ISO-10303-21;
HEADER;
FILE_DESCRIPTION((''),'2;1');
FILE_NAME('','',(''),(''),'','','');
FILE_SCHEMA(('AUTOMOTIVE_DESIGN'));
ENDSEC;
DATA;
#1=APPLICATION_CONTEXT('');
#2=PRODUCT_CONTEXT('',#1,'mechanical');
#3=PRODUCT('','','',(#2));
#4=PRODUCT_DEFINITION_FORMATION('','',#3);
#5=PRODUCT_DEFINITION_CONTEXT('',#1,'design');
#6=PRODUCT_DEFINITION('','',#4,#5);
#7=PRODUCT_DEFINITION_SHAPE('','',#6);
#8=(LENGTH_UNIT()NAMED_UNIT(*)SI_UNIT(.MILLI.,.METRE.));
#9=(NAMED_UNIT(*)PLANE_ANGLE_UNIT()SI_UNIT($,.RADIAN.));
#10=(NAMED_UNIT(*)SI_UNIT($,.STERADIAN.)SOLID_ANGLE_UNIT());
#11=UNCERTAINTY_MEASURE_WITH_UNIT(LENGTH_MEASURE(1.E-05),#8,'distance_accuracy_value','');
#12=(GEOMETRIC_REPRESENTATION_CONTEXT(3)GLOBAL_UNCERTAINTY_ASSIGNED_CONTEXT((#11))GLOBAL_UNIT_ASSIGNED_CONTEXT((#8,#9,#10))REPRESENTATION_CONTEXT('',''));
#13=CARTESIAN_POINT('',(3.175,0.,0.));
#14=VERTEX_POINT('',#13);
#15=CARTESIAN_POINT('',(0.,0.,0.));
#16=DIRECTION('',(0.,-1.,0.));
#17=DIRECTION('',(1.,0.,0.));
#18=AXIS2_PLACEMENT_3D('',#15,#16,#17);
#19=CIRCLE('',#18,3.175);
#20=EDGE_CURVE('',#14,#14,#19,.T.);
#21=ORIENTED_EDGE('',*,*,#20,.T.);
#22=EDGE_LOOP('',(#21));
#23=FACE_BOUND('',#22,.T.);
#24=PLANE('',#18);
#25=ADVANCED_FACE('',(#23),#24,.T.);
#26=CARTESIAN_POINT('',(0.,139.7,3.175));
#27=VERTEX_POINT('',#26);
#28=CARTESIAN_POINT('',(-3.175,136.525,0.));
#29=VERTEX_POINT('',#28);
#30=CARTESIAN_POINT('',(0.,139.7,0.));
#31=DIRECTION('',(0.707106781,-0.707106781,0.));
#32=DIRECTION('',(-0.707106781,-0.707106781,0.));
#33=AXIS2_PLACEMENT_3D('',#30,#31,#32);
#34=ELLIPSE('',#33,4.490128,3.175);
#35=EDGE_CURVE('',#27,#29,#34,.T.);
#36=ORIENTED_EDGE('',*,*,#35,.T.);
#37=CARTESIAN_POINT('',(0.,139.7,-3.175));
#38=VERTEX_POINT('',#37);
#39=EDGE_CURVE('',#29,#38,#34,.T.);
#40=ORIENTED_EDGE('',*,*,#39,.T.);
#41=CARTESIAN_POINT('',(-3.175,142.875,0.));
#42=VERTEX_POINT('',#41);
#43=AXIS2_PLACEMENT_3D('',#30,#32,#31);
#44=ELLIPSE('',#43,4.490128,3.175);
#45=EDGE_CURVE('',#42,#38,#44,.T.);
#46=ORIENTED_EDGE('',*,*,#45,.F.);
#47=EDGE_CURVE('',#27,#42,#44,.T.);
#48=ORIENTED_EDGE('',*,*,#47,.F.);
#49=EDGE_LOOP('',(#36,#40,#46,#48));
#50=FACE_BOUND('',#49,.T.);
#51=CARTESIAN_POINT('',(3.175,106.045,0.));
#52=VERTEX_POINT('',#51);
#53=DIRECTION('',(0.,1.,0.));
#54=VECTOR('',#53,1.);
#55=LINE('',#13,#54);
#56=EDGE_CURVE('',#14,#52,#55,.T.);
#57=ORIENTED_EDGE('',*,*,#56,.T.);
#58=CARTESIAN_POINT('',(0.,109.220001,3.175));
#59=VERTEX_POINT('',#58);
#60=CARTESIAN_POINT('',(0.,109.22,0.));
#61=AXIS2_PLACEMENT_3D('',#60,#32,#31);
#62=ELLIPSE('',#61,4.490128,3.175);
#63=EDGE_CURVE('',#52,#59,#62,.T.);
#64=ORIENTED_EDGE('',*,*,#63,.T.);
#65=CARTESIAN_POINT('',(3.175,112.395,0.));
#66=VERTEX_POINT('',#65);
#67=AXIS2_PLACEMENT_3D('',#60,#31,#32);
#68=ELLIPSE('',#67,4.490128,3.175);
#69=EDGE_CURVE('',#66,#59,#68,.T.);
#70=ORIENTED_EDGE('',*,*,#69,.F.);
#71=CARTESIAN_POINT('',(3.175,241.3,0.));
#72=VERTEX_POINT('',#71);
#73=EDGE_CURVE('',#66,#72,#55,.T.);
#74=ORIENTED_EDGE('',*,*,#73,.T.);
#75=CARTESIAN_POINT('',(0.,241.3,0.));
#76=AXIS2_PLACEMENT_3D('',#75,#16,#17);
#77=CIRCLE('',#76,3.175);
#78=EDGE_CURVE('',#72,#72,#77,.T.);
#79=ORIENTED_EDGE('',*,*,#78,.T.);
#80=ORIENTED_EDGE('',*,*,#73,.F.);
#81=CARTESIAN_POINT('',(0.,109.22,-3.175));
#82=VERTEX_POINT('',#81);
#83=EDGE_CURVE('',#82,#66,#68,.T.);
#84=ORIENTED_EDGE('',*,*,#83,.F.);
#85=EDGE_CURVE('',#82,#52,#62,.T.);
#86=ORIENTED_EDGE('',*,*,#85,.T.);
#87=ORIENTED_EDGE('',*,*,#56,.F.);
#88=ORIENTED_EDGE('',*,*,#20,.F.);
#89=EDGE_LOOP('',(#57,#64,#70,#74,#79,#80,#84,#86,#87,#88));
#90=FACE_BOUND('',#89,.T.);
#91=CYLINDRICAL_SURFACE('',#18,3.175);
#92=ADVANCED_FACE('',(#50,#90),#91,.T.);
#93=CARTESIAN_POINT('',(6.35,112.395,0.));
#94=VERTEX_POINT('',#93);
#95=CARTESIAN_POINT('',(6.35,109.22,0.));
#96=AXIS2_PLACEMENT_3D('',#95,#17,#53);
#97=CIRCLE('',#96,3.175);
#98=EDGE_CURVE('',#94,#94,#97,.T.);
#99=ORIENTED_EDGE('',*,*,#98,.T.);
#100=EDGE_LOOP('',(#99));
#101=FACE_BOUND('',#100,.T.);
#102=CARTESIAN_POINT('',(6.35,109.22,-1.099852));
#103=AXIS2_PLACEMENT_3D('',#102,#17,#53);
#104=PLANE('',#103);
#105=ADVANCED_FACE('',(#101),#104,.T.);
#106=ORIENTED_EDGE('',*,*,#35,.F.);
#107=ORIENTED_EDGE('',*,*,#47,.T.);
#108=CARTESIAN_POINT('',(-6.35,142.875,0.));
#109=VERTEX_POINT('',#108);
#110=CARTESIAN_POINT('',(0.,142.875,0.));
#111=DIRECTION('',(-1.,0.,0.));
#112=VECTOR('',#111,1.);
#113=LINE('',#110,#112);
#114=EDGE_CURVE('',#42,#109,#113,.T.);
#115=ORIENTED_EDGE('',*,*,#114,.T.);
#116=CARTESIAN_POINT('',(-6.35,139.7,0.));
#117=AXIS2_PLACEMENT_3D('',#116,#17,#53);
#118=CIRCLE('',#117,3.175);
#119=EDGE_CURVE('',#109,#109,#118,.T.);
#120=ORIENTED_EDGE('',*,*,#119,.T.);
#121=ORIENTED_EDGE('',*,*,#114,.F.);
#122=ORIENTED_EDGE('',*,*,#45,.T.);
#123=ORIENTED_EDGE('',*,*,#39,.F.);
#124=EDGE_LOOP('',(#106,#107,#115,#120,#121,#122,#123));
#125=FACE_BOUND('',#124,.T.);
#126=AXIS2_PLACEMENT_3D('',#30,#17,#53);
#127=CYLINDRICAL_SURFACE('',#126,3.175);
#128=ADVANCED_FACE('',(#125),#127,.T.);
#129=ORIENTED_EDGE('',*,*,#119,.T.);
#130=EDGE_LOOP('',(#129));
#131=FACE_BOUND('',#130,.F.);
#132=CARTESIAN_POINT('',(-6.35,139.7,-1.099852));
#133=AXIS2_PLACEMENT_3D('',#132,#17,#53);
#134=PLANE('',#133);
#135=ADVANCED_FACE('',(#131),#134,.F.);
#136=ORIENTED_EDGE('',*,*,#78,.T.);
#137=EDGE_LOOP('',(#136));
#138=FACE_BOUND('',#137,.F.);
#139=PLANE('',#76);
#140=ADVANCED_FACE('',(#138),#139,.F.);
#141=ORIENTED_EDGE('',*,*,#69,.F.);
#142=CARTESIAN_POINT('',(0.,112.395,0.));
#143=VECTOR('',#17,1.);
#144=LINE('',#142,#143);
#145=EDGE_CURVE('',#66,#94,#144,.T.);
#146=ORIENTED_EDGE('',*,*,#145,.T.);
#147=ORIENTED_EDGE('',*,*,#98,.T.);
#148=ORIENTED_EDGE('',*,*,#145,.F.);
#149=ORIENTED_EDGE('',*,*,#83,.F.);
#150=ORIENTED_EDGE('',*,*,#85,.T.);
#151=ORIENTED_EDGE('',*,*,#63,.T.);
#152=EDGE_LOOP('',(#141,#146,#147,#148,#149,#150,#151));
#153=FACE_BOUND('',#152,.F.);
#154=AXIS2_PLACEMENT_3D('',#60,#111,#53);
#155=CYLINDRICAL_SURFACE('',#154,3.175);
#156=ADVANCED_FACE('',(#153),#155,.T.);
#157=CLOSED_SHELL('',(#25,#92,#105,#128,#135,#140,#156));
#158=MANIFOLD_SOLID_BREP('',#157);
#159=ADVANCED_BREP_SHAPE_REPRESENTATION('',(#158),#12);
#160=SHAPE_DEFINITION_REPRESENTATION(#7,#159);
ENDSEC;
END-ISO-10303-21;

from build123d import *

# Parameters (mm, degrees)
F0_R     = 3.175
F1_DEPTH = 241.3
F4_DEPTH = 6.35
F6_DEPTH = 6.35


with BuildPart() as f1:
    # F0 (on Front) → F1 (new body)
    with BuildSketch(Plane.XZ):
        Circle(F0_R)
    extrude(amount=-F1_DEPTH)

    # F3 (on Right) → F4 (join)
    with BuildSketch(Plane.YZ):
        with BuildLine():
            ThreePointArc((106.045, 0), (109.22, -3.175), (112.395, 0))
            Line((112.395, 0), (106.045, 0))
        make_face()
        with BuildLine():
            Line((106.045, 0), (112.395, 0))
            ThreePointArc((112.395, 0), (109.22, 3.175), (106.045, 0))
        make_face()
    extrude(amount=F4_DEPTH)

    # F5 (on Right) → F6 (join)
    with BuildSketch(Plane.YZ):
        with BuildLine():
            ThreePointArc((136.525, 0), (139.7, -3.175), (142.875, 0))
            Line((142.875, 0), (136.525, 0))
        make_face()
        with BuildLine():
            Line((136.525, 0), (142.875, 0))
            ThreePointArc((142.875, 0), (139.7, 3.175), (136.525, 0))
        make_face()
    extrude(amount=-F6_DEPTH)


solid = f1.part
